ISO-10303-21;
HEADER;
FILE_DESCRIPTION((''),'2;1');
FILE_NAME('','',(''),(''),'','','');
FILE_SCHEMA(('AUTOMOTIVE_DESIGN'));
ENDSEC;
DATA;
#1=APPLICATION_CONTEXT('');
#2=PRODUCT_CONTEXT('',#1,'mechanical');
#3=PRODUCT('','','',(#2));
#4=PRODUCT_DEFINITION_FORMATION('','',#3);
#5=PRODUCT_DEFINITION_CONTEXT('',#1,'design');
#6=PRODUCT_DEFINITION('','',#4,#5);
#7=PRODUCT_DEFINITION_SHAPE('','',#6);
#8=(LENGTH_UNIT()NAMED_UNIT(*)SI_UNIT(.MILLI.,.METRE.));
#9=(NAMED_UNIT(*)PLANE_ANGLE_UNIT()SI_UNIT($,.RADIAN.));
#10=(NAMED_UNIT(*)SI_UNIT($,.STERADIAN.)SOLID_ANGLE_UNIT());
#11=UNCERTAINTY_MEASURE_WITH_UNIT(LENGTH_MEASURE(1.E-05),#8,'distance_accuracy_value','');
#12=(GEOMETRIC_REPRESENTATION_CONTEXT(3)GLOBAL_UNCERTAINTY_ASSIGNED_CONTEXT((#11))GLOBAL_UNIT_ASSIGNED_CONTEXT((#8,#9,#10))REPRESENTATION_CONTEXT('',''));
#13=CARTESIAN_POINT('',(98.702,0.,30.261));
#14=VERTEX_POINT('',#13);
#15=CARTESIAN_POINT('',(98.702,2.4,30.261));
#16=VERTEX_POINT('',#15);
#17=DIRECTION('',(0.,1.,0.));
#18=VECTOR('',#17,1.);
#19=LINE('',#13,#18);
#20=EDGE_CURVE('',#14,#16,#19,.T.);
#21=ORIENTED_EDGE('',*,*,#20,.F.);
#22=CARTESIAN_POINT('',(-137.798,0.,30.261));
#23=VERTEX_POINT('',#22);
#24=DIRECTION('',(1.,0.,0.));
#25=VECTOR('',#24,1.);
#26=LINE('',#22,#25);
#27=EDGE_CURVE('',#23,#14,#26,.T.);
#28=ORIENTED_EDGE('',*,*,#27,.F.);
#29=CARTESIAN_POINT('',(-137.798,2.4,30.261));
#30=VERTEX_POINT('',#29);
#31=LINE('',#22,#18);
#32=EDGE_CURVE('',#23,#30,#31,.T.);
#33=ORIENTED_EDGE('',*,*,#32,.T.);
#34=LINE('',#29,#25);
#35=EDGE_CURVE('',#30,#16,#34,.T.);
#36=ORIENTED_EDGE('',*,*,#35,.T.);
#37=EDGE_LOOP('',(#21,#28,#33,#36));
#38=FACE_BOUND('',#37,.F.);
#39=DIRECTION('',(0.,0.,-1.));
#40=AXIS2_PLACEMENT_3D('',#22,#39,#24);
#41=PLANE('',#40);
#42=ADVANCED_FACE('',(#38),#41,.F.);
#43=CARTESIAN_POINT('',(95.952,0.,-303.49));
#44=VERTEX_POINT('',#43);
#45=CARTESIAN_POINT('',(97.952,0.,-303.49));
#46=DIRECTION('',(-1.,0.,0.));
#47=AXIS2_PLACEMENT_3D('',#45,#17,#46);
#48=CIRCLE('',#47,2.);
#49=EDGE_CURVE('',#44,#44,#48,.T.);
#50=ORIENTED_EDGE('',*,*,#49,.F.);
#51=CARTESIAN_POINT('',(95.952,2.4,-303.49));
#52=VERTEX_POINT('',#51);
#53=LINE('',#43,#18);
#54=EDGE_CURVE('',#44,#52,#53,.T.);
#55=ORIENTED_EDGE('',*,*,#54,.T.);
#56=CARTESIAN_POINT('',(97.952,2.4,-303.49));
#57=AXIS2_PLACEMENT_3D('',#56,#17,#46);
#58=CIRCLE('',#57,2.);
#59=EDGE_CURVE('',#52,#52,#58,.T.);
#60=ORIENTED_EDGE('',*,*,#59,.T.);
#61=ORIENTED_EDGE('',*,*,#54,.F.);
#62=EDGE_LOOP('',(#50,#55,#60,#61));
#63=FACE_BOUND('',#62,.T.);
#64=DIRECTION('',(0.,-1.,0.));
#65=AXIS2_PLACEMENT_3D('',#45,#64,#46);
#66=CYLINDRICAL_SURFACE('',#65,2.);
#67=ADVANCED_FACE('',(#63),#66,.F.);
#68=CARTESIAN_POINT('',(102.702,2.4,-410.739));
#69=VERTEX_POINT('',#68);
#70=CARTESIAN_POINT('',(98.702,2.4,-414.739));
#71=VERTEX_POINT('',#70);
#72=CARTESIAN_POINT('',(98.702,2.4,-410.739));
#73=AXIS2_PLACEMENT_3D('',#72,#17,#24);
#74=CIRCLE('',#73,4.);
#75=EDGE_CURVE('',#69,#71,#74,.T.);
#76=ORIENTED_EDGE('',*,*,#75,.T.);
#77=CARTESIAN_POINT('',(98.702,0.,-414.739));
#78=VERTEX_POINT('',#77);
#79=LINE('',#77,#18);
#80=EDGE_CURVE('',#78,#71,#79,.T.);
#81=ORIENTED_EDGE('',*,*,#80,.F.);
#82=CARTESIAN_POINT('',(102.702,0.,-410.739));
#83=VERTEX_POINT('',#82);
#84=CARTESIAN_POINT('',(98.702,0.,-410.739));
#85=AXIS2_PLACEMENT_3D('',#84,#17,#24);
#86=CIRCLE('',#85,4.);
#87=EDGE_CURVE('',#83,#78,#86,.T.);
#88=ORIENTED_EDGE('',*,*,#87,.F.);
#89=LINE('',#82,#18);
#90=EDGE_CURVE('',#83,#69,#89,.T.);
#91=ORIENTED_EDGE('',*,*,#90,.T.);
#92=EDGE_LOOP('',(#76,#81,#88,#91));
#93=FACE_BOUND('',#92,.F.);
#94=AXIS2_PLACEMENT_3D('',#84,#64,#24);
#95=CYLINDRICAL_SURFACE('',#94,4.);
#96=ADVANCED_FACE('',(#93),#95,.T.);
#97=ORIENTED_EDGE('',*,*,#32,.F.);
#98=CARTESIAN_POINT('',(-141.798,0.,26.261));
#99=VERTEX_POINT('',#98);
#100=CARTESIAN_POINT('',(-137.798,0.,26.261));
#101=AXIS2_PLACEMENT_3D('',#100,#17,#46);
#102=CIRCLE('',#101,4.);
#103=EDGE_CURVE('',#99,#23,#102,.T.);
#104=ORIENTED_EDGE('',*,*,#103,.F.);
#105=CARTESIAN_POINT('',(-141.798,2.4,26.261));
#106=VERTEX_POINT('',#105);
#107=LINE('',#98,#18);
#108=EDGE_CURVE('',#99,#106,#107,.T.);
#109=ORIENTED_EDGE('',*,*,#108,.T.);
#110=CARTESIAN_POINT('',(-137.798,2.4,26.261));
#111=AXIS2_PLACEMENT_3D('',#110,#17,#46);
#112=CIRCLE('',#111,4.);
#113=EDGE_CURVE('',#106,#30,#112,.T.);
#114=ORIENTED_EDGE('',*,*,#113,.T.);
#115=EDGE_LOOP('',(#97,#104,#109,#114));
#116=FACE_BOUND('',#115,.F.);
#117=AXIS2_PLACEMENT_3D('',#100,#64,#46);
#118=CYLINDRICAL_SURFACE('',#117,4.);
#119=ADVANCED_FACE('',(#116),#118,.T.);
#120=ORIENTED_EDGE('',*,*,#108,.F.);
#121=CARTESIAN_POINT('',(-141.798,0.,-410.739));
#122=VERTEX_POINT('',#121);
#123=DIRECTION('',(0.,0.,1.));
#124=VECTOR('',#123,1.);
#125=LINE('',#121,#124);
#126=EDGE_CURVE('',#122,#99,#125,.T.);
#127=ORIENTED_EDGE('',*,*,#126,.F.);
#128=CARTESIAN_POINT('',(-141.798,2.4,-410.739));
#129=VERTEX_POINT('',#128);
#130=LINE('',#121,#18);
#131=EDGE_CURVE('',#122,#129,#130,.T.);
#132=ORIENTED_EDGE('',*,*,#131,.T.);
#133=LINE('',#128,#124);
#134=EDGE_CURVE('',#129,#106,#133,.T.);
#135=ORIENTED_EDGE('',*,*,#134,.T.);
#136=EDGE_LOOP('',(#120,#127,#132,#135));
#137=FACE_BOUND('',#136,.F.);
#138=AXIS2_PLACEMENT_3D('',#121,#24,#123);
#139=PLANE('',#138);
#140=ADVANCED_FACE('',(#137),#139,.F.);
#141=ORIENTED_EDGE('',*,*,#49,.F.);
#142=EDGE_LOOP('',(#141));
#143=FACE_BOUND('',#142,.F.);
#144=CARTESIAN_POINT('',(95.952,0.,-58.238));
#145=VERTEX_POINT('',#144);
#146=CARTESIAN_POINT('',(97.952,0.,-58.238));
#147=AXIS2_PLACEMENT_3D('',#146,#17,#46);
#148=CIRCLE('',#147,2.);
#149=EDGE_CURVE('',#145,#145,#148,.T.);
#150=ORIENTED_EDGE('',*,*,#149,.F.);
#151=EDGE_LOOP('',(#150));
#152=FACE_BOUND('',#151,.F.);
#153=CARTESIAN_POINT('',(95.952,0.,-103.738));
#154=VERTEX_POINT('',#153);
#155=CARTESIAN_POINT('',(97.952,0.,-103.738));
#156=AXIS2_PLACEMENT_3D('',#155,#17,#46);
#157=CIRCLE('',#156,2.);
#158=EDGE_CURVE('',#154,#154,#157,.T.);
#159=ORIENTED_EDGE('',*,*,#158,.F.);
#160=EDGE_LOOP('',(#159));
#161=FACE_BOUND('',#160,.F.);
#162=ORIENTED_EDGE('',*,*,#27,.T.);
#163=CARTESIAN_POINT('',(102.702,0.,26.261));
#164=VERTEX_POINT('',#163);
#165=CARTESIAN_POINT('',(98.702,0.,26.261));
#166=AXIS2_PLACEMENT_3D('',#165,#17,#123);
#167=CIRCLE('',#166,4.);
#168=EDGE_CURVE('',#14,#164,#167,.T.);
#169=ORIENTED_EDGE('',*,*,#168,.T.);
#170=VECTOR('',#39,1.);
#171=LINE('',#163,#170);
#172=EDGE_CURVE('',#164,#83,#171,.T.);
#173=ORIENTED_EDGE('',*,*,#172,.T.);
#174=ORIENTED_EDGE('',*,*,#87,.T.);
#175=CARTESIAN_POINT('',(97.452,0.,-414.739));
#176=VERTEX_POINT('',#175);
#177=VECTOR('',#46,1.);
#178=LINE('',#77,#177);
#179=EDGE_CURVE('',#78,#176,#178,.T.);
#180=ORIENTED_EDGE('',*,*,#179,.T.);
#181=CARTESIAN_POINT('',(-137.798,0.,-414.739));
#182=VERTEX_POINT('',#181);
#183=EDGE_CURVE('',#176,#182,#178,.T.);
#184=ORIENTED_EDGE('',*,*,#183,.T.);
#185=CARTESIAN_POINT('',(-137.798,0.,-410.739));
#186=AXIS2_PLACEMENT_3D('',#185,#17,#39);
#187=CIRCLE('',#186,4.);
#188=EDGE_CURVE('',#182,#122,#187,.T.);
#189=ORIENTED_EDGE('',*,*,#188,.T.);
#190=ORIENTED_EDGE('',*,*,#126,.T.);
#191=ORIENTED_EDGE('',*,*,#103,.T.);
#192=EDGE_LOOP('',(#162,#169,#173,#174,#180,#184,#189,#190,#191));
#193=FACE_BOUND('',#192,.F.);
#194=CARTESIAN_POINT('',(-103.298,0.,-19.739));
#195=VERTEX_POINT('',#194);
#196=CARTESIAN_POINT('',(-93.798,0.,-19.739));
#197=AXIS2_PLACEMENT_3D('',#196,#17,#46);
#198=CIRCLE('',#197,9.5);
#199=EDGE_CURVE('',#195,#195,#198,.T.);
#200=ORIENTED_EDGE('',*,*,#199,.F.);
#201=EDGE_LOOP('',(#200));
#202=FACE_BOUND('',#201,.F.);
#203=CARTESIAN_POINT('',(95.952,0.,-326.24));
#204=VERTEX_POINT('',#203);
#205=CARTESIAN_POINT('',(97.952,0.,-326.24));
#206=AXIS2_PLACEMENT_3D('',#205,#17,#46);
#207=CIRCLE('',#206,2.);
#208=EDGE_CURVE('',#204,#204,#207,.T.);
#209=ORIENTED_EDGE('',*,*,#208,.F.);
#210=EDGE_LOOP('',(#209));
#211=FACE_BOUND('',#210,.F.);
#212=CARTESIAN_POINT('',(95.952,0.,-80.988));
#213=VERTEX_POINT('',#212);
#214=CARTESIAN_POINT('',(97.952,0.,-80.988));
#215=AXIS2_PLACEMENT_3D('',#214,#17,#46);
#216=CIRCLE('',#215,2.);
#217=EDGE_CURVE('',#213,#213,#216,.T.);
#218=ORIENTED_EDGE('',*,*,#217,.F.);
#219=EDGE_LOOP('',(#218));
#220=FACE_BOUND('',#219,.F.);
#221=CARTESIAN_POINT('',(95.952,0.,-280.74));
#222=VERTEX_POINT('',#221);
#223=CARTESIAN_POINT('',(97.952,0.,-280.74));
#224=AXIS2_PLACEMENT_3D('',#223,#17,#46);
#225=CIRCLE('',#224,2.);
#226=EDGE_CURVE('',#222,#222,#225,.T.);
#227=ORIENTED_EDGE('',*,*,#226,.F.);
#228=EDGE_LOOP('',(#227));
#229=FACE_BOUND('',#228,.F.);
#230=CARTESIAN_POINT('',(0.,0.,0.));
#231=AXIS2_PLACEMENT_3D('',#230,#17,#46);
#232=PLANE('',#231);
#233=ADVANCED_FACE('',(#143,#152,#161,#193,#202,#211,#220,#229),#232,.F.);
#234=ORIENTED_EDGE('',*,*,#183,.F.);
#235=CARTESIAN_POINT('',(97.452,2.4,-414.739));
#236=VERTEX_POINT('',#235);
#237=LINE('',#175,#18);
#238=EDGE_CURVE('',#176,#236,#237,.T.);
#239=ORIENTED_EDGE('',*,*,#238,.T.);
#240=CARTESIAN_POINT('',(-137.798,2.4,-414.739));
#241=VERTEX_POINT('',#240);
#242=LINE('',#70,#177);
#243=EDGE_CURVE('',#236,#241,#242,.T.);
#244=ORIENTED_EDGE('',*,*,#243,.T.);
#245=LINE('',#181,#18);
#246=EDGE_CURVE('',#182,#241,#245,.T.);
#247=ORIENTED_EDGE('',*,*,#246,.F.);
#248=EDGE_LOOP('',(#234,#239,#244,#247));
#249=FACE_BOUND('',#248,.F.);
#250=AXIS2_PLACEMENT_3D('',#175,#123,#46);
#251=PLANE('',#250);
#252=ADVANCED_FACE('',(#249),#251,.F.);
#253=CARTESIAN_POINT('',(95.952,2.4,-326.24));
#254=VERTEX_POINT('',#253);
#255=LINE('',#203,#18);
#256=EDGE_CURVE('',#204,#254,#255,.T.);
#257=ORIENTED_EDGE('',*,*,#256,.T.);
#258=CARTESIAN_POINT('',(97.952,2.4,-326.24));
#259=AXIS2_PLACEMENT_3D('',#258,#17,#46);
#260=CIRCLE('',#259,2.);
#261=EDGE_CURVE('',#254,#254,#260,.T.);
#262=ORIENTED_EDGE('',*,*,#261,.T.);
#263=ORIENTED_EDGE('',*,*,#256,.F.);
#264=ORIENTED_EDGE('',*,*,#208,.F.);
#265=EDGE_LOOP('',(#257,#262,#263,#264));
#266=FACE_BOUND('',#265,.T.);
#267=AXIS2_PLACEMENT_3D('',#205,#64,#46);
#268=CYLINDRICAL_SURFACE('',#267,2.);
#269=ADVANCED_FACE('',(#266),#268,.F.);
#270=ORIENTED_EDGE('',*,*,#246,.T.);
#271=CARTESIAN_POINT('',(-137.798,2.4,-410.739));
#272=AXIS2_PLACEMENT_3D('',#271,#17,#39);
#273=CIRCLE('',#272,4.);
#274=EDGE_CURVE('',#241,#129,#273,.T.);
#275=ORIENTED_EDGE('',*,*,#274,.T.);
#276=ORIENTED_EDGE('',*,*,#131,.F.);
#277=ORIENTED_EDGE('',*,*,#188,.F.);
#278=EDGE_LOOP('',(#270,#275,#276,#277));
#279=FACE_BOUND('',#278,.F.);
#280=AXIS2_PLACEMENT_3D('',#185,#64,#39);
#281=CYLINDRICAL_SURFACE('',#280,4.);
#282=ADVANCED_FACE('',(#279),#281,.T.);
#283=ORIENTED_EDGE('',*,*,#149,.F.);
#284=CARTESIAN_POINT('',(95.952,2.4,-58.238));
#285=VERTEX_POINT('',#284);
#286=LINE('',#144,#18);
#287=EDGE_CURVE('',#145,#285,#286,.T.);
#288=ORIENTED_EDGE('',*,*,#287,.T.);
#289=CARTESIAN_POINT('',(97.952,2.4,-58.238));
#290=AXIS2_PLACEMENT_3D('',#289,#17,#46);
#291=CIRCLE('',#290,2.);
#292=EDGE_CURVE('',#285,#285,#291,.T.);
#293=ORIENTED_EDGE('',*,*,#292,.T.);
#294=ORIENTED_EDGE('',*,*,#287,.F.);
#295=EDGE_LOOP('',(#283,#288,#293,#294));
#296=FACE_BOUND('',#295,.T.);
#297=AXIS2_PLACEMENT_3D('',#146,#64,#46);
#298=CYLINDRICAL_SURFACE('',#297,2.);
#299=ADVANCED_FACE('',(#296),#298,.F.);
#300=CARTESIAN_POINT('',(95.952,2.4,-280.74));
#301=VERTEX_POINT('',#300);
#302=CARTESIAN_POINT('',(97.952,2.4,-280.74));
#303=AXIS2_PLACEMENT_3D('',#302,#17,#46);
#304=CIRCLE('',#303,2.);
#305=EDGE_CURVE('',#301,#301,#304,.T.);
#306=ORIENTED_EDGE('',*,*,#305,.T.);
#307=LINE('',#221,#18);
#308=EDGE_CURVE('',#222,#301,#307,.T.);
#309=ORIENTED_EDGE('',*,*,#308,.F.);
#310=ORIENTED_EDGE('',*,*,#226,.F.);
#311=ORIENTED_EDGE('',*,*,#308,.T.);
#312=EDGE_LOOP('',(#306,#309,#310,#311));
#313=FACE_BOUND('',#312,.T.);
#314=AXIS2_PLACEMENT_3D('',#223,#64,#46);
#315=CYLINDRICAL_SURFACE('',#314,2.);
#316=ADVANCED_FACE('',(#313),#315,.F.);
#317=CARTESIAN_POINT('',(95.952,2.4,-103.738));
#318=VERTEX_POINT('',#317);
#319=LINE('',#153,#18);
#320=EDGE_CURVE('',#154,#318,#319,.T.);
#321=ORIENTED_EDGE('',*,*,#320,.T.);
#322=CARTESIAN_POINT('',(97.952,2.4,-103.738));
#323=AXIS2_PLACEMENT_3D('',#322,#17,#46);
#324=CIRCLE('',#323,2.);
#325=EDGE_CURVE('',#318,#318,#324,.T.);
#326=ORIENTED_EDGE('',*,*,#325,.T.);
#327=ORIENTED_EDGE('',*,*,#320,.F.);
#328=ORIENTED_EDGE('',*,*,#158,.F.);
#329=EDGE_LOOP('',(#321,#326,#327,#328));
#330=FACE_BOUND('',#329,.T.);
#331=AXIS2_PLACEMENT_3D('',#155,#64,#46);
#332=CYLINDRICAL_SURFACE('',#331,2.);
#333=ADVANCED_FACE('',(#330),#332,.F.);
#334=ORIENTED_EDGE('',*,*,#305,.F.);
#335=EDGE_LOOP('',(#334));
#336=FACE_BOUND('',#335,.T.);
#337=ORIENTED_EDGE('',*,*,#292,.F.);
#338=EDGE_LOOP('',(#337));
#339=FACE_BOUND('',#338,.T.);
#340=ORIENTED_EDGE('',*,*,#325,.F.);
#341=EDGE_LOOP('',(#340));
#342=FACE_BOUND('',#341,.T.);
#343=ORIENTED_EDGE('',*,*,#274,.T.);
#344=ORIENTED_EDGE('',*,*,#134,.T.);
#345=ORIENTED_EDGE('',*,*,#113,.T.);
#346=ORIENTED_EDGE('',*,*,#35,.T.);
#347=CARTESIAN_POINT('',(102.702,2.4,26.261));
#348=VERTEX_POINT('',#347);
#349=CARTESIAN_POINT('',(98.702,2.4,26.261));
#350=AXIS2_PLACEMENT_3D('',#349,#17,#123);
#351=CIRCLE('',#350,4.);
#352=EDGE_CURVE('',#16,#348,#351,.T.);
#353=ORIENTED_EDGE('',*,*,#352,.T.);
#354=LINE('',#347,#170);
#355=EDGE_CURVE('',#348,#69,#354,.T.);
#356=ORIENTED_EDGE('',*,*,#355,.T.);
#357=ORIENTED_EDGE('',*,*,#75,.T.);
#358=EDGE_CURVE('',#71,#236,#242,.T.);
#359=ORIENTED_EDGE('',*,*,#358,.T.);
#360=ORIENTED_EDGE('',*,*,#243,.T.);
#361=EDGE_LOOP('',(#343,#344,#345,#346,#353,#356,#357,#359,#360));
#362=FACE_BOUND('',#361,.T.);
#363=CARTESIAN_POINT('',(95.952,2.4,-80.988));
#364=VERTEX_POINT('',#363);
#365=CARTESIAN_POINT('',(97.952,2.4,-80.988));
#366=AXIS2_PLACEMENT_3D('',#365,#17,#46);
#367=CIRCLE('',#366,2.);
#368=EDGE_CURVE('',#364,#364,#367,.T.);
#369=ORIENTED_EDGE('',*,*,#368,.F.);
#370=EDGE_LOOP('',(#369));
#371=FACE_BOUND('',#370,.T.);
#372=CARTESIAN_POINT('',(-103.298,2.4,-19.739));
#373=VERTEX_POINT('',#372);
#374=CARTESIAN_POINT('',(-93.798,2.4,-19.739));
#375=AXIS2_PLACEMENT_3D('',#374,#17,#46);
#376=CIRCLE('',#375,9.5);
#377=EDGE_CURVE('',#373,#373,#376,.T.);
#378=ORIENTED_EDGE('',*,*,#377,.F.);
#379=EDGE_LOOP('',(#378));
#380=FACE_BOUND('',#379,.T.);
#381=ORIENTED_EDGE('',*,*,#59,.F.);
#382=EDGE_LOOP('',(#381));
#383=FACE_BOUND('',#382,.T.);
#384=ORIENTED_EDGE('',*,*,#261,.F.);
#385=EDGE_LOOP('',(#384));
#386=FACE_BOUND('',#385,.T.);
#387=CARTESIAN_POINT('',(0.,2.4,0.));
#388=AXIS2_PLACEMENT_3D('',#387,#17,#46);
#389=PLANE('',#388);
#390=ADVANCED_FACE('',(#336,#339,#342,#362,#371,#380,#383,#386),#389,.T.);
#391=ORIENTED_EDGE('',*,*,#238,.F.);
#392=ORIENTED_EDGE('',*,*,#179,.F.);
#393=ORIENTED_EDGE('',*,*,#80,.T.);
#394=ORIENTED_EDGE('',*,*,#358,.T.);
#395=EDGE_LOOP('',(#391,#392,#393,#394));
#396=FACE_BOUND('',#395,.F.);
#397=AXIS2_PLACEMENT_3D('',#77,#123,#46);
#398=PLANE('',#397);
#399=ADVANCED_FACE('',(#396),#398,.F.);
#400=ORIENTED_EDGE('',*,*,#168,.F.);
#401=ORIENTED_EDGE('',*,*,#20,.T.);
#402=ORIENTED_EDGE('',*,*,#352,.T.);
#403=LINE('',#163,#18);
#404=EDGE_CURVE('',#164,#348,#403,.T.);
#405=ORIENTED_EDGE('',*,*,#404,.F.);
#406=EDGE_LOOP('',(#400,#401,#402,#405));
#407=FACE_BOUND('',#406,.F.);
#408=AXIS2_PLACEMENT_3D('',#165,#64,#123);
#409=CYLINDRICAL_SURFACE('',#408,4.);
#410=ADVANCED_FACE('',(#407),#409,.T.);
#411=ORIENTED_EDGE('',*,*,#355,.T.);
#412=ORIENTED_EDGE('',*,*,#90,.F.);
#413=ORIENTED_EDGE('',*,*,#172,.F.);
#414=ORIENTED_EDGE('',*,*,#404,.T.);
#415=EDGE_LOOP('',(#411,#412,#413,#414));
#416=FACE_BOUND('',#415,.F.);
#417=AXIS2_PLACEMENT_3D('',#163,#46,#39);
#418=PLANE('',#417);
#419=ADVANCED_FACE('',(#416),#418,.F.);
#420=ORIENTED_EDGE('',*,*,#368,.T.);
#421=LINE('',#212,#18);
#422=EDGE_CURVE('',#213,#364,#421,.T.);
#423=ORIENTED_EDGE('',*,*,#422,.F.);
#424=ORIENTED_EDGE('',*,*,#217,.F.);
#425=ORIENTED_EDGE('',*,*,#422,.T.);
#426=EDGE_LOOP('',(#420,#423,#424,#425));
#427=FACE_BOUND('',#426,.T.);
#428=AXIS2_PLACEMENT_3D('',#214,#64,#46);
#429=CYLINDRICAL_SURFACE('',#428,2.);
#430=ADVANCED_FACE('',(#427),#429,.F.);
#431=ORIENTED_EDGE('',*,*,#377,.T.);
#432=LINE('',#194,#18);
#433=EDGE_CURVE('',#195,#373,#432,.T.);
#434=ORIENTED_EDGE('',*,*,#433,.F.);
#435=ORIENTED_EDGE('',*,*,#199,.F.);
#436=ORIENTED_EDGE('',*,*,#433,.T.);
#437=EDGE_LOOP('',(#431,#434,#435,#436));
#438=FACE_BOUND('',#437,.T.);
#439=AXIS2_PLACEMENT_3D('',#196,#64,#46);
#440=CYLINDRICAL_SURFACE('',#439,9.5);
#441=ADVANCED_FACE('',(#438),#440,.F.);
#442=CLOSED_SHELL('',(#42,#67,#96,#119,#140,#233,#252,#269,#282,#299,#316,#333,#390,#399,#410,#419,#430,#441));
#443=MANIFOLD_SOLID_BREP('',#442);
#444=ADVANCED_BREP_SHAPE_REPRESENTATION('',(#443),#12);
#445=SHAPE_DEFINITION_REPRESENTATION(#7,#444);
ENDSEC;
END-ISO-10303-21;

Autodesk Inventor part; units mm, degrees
ref_plane "YZ Plane" through (0, 0, 0) normal (1, 0, 0) x (0, 1, 0)
ref_plane "XZ Plane" through (0, 0, 0) normal (0, 1, 0) x (-1, 0, 0)
ref_plane "XY Plane" through (0, 0, 0) normal (0, 0, 1) x (1, 0, 0)
sketch "Boceto1" plane through (0, 0, 0) normal (0, 1, 0) x (-1, 0, 0)
  line L0 (137.798, 30.261) -> (-98.702, 30.261)
  line L1 (-102.702, 26.261) -> (-102.702, -410.739)
  line L2 (-98.702, -414.739) -> (137.798, -414.739)
  line L3 (141.798, -410.739) -> (141.798, 26.261)
  arc A0 (141.798, 26.261) -> (137.798, 30.261) centre (137.798, 26.261) ccw
  arc A1 (-98.702, 30.261) -> (-102.702, 26.261) centre (-98.702, 26.261) ccw
  arc A2 (-102.702, -410.739) -> (-98.702, -414.739) centre (-98.702, -410.739) ccw
  arc A3 (137.798, -414.739) -> (141.798, -410.739) centre (137.798, -410.739) ccw
  line L4 (-102.702, -414.739) -> (-97.452, -414.739)
  circle A4 centre (-97.952, -58.238) radius 2
  circle A5 centre (-97.952, -326.24) radius 2
  circle A6 centre (-97.952, -80.988) radius 2
  circle A7 centre (-97.952, -103.738) radius 2
  circle A8 centre (-97.952, -303.49) radius 2
  circle A9 centre (-97.952, -280.74) radius 2
  circle A10 centre (93.798, -19.739) radius 9.5
  point P0 (141.798, 30.261)
  point P1 (-102.702, 30.261)
  point P2 (141.798, -414.739)
  dimension "d0" = 244.5
  dimension "d1" = 445
  dimension "d2" = 244.5
  dimension "d3" = 4
  dimension "d6" = 5.25
  dimension "d7" = 4
  dimension "d12" = 4
  dimension "d13" = 88.499
  dimension "d14" = 4
  dimension "d15" = 22.75
  dimension "d16" = 4
  dimension "d17" = 22.75
  dimension "d18" = 88.499
  dimension "d19" = 4.75
  dimension "d20" = 4
  dimension "d21" = 22.75
  dimension "d22" = 4.75
  dimension "d23" = 4
  dimension "d24" = 22.75
  dimension "d25" = 4.75
  dimension "d26" = 4.75
  dimension "d27" = 4.75
  dimension "d28" = 4.75
  dimension "d29" = 19
  dimension "d30" = 50
  dimension "d31" = 48
extrude "Extrusión1" add sketch "Boceto1" along normal blind 2.4
equation "\"d0\" = d2"
equation "\"d13\" = d18"
equation "\"d22\" = d19"
equation "\"d25\" = d22"
equation "\"d26\" = d25"
equation "\"d27\" = d26"
equation "\"d28\" = d27"
properties part number "Puerta de Inspección"
